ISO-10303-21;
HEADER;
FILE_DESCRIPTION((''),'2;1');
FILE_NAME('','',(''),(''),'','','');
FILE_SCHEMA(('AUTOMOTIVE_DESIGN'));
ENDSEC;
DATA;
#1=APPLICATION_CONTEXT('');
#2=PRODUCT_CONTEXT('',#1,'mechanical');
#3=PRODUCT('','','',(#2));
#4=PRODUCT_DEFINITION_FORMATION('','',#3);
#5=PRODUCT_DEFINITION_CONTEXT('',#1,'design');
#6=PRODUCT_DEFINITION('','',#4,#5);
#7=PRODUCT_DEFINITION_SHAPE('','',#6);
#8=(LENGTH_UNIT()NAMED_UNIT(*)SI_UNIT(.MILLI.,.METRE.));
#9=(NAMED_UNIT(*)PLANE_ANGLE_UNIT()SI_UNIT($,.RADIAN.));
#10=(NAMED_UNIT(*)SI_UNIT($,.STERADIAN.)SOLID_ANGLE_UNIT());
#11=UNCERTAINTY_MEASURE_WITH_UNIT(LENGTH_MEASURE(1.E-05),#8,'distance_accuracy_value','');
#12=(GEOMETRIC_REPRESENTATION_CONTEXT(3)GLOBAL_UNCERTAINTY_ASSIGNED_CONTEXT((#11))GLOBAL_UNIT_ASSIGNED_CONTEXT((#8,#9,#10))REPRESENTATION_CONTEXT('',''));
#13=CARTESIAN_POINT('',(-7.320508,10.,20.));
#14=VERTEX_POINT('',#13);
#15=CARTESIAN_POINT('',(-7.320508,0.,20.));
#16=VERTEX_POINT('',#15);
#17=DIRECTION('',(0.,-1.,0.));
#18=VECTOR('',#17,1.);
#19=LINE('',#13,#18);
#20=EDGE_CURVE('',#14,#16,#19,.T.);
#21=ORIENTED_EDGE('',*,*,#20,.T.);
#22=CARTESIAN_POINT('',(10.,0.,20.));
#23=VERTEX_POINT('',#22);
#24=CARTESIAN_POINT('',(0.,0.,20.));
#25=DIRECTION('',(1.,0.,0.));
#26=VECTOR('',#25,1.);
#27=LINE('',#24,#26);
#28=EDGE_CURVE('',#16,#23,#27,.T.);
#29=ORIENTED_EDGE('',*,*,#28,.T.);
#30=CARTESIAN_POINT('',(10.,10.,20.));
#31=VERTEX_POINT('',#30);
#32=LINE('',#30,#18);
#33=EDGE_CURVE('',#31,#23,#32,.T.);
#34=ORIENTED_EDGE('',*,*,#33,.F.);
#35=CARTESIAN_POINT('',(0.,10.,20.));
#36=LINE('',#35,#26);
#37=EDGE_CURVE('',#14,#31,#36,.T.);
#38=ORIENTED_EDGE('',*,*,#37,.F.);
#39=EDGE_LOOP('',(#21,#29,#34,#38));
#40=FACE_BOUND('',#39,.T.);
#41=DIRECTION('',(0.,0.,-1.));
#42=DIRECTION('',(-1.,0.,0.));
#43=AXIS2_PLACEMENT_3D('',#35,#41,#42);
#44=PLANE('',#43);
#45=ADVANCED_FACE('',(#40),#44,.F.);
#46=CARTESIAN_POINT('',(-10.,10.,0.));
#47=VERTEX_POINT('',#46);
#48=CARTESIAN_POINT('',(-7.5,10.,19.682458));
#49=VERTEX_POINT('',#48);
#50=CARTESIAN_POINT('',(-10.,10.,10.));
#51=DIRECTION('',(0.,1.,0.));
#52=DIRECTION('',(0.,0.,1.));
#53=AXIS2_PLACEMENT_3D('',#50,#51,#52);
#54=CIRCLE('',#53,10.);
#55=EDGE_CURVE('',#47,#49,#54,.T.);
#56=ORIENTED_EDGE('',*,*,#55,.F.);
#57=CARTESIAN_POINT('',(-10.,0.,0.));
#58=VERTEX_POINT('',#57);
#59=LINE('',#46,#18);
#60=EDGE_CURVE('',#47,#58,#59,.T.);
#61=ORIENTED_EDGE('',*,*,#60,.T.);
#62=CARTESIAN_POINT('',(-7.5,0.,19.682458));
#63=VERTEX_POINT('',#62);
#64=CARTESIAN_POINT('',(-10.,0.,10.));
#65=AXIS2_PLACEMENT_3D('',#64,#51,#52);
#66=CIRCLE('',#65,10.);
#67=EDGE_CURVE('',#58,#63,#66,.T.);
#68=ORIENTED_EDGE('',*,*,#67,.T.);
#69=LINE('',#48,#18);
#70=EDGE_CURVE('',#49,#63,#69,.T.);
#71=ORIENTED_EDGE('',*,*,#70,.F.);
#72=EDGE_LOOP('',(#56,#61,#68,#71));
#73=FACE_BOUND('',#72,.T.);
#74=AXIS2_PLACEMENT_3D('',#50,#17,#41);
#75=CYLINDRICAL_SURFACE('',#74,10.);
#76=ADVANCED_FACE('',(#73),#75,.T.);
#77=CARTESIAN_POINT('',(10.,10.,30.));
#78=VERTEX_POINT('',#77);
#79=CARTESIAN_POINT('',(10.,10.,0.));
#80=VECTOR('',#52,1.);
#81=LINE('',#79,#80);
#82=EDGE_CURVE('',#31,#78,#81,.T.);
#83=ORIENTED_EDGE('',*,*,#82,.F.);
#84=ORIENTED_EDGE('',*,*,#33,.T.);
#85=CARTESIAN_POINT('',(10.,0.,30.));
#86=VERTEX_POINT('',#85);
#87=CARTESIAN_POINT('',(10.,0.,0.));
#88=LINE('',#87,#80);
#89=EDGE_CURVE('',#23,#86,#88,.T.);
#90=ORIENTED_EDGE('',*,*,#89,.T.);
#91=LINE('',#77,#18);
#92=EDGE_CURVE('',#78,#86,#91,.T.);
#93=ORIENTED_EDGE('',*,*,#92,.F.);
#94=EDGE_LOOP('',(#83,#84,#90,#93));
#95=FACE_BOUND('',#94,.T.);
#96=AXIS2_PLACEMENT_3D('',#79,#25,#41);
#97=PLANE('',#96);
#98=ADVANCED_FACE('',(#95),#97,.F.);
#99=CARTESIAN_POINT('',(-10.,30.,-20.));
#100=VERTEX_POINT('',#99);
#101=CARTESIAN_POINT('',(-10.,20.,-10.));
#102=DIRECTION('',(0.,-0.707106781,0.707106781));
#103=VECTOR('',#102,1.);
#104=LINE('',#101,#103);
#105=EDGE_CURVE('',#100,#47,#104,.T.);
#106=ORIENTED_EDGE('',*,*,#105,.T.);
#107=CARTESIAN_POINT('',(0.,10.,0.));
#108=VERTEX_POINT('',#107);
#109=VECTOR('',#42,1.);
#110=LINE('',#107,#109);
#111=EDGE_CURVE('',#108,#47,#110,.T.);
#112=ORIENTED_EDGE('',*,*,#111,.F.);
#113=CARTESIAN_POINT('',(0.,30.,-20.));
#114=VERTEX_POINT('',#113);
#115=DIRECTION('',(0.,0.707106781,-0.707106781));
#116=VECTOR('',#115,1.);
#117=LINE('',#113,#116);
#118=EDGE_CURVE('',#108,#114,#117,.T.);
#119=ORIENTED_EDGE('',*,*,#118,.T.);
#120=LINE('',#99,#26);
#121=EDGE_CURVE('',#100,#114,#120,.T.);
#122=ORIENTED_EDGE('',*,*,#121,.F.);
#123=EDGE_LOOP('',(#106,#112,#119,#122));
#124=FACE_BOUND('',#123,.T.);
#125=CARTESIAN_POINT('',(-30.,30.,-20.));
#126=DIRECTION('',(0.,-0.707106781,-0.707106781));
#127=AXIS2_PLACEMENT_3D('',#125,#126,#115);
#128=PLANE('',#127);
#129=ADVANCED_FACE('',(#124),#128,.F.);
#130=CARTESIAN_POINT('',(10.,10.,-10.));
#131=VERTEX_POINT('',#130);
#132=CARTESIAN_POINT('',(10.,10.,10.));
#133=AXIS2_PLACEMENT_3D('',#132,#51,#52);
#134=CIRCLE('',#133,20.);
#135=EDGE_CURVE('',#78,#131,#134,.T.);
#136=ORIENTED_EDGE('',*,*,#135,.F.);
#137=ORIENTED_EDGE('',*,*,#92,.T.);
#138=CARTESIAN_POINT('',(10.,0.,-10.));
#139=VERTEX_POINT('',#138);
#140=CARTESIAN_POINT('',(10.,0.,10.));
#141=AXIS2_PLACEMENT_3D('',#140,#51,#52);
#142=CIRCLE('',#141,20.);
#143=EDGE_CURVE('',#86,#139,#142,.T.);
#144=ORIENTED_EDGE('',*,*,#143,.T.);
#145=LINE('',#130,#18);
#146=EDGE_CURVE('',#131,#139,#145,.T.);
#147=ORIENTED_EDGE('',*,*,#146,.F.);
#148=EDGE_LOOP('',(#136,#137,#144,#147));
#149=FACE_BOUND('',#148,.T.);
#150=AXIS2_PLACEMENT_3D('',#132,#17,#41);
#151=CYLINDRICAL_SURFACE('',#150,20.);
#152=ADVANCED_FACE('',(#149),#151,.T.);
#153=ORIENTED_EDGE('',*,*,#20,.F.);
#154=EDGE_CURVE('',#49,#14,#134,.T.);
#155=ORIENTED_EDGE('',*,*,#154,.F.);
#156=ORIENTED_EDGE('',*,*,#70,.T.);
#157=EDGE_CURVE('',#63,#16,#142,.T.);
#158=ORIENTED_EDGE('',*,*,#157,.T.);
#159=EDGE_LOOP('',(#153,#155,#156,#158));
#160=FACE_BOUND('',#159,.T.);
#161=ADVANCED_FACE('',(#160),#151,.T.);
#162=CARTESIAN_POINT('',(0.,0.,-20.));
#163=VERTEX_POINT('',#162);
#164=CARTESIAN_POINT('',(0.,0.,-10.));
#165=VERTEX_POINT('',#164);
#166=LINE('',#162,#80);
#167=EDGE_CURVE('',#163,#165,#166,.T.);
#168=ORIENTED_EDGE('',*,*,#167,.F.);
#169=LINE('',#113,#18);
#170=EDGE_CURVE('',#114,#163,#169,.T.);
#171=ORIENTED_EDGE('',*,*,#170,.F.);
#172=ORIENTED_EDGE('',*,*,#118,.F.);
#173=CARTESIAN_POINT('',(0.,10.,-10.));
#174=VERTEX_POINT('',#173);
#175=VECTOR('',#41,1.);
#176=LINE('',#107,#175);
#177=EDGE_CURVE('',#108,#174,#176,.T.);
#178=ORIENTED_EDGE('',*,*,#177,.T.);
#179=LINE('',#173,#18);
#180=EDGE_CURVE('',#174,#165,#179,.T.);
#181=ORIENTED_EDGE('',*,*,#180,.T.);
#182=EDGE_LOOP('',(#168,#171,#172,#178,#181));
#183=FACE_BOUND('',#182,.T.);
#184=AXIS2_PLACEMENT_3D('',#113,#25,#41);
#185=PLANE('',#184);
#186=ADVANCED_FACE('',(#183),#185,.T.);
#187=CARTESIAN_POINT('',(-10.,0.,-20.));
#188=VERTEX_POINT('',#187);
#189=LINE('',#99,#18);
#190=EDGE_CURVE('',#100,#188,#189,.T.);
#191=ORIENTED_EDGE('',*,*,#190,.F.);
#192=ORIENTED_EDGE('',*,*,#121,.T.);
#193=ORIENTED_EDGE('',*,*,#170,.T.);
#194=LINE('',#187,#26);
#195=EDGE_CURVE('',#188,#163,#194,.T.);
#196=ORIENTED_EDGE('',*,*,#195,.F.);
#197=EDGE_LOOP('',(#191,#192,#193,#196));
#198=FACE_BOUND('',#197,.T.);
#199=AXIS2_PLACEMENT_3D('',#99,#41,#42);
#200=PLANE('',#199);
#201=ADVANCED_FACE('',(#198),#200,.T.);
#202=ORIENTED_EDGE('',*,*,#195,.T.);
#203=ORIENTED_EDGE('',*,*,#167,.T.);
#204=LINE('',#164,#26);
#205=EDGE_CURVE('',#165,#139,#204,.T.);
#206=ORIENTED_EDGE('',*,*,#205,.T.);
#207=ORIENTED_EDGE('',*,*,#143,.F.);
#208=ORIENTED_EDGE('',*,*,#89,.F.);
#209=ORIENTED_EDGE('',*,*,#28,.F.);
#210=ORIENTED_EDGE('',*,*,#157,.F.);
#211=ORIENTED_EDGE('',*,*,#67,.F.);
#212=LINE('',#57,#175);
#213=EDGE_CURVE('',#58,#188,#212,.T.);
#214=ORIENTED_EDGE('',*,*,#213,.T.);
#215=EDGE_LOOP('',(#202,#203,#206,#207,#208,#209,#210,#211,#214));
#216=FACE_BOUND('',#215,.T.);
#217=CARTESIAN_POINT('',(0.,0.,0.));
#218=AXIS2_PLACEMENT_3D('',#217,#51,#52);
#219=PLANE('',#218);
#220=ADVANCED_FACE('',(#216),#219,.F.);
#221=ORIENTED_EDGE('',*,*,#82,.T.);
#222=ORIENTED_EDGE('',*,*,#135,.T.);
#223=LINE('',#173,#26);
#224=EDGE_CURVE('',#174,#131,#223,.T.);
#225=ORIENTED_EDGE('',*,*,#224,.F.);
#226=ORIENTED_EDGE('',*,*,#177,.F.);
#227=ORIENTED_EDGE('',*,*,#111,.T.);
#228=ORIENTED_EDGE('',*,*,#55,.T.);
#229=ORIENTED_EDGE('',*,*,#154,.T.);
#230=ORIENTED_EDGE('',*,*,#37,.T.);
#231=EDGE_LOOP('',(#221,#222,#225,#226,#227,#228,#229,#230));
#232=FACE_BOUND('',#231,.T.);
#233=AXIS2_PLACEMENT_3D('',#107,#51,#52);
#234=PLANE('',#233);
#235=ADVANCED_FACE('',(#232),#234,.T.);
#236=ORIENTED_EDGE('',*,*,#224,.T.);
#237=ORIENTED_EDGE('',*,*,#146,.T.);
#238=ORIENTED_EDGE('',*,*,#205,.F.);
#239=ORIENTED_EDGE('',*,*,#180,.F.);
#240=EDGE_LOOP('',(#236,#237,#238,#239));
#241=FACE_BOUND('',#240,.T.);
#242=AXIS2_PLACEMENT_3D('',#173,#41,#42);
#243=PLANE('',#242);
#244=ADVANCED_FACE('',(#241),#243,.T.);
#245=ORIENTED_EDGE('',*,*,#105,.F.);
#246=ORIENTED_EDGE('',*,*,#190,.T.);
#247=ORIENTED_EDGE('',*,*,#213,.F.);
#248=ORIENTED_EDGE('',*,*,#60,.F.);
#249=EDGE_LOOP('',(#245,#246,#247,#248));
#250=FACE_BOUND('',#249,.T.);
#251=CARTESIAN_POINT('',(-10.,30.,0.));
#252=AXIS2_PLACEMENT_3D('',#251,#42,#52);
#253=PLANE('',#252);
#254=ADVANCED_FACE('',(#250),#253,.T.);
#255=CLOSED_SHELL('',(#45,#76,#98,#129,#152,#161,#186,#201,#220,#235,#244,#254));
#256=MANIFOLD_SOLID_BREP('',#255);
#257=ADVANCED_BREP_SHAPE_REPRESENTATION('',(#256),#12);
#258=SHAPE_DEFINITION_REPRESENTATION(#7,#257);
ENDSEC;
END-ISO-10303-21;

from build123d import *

# Parameters (mm, degrees)
EXTRUDE_1_DEPTH     = 10
SKETCH_2_W          = 10
SKETCH_2_H          = 20
EXTRUDE_2_DEPTH     = 30
CUT_EXTRUDE_1_DEPTH = 30


with BuildPart() as part:
    # 草圖1 → 填料-伸長1 (new body)
    with BuildSketch(Plane(origin=(0, 0, 0), x_dir=(1, 0, 0), z_dir=(0, 1, 0))):
        with BuildLine():
            Line((0, 10), (0, 0))
            Line((0, 0), (-10, 0))
            Line((-10, 0), (-10, -20))
            ThreePointArc((-10, -20), (-8.739957075, -19.920296963), (-7.5, -19.682458366))
            ThreePointArc((-7.5, -19.682458366), (-7.410977969, -19.841638388), (-7.320508076, -20))
            Line((-7.320508076, -20), (10, -20))
            Line((10, -20), (10, 10))
            Line((10, 10), (0, 10))
        make_face()
        with BuildLine():
            Line((-10, -20), (-10, 0))
            ThreePointArc((-10, 0), (-20, -10), (-10, -20))
        make_face()
        with BuildLine():
            Line((10, -20), (10, -30))
            ThreePointArc((10, -30), (30, -10), (10, 10))
            Line((10, 10), (10, -20))
        make_face()
    extrude(amount=EXTRUDE_1_DEPTH)

    # 草圖2 → 填料-伸長2 (add)
    with BuildSketch(Plane.XZ):
        with Locations((-5, -10)):
            Rectangle(SKETCH_2_W, SKETCH_2_H)
    extrude(amount=-EXTRUDE_2_DEPTH)

    # 草圖3 → 除料-伸長1 (cut)
    with BuildSketch(Plane(origin=(0, 0, 0), x_dir=(0, 0, -1), z_dir=(1, 0, 0))):
        Polygon((20, 30), (0, 10), (0, 30), align=None)
    extrude(amount=-CUT_EXTRUDE_1_DEPTH, mode=Mode.SUBTRACT)


solid = part.part
